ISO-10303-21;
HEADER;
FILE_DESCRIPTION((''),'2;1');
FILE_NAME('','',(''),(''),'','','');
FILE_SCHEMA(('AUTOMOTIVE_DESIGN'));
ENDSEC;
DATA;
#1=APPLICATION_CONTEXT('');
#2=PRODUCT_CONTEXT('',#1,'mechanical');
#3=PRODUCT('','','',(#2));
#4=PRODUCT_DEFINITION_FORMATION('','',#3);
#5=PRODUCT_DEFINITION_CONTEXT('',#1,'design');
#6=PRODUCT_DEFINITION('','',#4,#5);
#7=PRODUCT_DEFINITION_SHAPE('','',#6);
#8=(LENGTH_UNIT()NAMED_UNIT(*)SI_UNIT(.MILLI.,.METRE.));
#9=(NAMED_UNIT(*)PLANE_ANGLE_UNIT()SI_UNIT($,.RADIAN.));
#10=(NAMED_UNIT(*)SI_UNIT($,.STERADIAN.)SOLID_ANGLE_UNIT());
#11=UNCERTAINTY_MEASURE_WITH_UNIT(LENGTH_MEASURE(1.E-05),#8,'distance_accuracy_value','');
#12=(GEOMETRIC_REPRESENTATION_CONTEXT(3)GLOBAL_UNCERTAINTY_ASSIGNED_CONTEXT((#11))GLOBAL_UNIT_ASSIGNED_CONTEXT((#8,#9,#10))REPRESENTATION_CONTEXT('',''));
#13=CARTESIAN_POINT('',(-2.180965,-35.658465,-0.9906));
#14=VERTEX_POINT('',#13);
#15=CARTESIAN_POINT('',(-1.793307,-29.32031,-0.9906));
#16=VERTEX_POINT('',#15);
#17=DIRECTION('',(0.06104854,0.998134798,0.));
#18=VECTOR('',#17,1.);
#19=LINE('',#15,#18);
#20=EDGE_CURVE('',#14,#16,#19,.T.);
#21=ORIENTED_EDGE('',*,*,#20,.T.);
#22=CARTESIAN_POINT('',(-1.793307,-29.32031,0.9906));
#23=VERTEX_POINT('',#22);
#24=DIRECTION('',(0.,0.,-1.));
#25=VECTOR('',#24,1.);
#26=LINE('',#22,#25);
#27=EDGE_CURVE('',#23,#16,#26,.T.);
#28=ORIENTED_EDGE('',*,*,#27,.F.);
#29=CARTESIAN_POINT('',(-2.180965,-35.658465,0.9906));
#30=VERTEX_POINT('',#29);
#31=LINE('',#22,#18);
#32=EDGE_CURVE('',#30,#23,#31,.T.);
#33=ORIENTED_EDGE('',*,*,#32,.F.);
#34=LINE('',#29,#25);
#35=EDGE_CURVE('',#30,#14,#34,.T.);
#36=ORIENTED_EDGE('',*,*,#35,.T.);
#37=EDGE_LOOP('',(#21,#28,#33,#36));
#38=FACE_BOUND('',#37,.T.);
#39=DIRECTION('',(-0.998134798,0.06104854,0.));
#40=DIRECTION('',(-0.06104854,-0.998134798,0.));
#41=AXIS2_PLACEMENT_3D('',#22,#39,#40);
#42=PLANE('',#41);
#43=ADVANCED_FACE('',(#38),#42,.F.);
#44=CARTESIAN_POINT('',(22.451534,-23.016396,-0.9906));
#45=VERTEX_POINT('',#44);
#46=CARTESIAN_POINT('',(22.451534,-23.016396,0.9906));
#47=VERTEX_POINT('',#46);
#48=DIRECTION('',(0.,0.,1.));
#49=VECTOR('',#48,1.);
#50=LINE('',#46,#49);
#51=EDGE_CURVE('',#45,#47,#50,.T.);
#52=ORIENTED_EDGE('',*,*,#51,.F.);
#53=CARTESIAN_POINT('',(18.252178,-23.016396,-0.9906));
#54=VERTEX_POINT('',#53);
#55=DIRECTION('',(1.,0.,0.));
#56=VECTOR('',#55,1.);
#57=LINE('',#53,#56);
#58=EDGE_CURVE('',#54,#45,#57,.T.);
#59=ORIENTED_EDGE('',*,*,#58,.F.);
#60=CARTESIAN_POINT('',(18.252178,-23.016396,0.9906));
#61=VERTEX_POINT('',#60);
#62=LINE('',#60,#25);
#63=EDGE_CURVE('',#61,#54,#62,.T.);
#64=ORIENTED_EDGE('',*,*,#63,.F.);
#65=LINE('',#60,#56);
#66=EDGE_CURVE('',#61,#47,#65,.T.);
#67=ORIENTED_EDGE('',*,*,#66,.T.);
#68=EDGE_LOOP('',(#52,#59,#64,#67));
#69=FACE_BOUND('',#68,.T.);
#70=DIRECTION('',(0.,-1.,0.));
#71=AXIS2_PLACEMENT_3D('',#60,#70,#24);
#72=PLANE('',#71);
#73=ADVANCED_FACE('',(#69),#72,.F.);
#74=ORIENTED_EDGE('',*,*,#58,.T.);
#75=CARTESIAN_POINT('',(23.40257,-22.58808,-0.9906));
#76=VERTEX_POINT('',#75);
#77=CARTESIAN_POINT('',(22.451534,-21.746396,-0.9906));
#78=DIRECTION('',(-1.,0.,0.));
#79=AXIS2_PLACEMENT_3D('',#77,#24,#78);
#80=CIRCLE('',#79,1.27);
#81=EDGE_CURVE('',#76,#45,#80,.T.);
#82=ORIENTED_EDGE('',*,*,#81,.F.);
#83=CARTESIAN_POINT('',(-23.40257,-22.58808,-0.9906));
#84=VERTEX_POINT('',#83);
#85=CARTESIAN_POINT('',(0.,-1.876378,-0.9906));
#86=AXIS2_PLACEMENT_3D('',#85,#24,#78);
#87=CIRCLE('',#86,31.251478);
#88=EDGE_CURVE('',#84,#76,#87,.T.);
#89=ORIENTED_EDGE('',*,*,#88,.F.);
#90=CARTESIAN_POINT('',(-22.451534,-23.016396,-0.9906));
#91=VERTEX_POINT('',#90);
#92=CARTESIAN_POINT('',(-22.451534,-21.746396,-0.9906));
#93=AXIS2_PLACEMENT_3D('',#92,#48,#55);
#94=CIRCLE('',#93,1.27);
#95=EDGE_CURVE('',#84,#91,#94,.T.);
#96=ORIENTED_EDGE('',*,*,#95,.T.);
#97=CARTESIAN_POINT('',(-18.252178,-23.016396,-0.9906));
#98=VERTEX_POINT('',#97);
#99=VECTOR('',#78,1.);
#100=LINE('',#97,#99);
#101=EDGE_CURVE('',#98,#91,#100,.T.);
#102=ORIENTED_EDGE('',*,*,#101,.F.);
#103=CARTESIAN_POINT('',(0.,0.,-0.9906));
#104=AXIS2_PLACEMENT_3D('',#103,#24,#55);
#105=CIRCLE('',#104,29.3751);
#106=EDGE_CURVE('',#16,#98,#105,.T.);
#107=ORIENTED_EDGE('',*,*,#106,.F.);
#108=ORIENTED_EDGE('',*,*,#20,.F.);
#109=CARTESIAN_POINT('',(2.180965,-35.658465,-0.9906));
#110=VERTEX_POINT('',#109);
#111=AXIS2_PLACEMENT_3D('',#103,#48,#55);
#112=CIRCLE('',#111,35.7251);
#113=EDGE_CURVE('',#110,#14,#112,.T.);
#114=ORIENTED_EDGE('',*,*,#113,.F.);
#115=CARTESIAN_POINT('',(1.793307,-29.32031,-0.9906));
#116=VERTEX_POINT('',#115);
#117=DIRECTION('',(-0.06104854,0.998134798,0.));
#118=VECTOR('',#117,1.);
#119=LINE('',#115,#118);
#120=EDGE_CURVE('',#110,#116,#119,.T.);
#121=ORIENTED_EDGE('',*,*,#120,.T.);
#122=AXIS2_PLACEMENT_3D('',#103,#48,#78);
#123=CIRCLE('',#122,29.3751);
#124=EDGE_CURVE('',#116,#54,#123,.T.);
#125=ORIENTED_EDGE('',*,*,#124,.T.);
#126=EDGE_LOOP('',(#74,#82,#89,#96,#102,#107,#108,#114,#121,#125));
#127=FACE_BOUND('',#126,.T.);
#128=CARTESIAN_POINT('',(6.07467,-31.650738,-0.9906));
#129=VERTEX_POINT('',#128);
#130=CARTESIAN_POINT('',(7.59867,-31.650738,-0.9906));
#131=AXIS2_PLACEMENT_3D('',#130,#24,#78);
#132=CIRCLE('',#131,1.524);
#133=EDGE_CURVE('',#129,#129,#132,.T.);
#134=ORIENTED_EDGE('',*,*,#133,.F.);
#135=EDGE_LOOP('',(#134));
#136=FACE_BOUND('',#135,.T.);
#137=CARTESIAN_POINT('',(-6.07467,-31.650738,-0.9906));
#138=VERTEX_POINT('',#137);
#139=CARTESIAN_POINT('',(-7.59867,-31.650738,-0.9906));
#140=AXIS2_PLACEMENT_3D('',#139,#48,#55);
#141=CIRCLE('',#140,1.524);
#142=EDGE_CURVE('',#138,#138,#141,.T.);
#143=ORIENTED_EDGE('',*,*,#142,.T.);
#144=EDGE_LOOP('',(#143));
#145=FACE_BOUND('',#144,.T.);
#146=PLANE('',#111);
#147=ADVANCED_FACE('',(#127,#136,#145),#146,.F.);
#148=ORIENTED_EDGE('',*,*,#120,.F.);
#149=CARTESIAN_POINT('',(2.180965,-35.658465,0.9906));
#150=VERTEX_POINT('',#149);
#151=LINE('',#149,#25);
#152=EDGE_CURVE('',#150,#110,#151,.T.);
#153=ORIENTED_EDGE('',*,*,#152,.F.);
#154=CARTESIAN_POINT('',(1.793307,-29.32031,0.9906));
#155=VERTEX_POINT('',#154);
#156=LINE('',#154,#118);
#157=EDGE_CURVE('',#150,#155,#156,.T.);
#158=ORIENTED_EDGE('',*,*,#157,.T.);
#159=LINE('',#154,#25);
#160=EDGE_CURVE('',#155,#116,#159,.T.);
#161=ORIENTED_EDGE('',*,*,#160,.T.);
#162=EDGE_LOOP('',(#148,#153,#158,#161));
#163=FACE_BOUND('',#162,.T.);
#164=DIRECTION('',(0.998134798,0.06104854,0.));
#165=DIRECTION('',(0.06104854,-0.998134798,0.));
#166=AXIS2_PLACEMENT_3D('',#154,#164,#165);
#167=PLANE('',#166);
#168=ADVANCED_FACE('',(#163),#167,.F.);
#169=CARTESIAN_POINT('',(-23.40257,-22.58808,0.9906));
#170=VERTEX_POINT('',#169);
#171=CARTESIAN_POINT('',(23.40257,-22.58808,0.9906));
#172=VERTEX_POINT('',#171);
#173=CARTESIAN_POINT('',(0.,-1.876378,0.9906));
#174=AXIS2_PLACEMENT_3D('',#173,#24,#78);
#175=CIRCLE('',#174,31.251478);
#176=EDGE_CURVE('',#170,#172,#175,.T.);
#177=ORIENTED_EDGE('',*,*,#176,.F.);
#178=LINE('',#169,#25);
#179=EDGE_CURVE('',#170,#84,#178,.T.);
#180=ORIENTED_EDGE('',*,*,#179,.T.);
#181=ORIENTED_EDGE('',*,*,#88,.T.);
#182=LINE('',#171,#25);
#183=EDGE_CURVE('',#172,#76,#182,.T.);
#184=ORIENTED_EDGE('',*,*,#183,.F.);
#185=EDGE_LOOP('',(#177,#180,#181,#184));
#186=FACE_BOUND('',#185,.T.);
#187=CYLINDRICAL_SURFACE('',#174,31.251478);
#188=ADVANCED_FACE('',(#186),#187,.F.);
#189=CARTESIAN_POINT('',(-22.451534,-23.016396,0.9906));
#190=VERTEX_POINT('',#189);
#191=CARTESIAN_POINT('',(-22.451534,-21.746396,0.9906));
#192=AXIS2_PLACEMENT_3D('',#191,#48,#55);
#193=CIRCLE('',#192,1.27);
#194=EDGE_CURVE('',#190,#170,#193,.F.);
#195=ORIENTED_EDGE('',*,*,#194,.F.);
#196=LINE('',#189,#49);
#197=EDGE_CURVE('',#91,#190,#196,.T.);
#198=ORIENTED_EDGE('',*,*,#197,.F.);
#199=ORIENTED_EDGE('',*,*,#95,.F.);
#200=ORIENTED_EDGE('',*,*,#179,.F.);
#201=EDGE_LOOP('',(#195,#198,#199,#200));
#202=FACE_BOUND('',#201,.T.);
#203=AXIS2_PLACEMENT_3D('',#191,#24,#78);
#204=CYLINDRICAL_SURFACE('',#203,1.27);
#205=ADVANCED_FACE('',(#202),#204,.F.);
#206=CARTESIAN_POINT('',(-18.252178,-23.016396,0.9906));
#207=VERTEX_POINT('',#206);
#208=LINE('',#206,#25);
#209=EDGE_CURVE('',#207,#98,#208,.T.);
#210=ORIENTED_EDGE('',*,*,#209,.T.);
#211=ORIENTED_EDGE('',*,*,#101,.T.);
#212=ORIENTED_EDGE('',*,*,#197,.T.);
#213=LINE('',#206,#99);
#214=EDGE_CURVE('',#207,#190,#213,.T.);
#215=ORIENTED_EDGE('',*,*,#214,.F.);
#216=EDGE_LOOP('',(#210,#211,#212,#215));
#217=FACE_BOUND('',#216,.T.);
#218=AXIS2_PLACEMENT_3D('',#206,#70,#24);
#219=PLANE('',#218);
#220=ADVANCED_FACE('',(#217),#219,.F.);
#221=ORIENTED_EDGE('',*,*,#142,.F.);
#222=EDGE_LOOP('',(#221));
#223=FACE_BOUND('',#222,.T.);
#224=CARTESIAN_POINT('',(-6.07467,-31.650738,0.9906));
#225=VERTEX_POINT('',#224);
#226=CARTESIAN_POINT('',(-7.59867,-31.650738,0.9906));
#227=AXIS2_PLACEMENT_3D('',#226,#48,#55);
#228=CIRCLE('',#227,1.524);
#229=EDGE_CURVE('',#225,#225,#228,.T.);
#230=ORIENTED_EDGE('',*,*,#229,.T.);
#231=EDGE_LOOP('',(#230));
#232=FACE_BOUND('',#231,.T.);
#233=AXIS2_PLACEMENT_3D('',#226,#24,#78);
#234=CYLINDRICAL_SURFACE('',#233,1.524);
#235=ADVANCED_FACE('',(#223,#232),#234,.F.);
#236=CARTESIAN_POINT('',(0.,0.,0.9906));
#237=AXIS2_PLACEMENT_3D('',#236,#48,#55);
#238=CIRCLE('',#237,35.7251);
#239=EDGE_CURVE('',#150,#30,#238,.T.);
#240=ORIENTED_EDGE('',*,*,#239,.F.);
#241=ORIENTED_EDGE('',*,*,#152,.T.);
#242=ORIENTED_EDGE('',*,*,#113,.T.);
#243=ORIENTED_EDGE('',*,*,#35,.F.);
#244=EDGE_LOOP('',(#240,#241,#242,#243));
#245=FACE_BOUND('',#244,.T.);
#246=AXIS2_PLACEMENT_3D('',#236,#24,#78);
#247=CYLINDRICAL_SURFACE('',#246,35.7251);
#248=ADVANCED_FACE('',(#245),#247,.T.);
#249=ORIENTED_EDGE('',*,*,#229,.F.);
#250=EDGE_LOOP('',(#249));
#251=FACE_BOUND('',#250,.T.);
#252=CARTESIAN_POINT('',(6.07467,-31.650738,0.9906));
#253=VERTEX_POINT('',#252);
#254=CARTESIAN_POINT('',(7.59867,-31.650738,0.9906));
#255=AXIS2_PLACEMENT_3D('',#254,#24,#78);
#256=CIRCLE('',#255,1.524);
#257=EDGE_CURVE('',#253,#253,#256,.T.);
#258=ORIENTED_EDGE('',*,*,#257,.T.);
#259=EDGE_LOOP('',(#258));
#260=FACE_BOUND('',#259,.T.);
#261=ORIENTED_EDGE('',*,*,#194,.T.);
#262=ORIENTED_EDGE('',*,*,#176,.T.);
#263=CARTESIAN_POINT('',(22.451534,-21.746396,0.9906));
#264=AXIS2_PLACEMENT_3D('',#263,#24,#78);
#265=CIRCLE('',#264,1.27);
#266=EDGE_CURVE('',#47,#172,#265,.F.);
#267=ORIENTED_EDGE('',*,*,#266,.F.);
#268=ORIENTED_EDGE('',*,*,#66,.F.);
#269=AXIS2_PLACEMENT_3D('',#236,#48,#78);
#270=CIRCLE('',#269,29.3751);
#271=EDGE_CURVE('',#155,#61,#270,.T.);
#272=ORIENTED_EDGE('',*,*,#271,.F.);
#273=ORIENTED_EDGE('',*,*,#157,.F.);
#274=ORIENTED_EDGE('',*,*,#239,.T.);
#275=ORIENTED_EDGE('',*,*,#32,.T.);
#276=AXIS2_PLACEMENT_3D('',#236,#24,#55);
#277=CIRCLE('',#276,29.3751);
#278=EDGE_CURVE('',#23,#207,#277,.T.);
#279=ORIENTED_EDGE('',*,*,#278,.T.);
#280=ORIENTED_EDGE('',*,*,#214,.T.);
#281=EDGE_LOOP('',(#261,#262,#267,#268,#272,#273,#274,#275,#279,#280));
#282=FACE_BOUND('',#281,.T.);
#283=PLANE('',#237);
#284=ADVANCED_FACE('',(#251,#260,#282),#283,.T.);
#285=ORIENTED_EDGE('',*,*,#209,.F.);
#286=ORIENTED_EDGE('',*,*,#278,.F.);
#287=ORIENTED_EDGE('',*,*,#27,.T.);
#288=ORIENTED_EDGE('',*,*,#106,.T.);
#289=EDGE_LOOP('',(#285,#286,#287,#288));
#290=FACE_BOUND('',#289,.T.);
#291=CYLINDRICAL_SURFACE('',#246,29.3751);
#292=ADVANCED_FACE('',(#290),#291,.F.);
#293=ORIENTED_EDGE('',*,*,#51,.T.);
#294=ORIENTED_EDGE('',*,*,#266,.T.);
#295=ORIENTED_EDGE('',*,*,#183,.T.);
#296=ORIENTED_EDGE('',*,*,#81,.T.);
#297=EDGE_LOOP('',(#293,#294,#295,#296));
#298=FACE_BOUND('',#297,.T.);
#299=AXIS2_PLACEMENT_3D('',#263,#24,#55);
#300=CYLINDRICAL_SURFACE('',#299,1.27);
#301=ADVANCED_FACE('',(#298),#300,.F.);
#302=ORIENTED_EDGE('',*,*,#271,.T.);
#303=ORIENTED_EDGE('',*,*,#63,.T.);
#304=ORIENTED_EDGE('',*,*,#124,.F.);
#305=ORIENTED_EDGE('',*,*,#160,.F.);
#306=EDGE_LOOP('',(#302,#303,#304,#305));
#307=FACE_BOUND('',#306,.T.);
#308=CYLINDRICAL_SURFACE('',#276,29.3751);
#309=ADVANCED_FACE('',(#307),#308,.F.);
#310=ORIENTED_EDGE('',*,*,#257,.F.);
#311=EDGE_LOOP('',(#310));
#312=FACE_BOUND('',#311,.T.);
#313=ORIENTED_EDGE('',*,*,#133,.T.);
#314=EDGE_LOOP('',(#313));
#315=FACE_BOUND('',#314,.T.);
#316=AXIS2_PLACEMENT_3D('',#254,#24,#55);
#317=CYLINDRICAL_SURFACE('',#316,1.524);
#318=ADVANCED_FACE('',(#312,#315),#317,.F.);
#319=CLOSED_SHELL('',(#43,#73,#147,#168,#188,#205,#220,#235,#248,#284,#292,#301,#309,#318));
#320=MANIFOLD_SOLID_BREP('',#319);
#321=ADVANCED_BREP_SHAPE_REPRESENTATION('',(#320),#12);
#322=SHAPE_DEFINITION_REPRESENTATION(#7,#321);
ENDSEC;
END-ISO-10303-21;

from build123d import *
from build123d.topology import SkipClean

# Parameters (mm, degrees)
SKETCH4_R           = 1.524
BOSS_EXTRUDE1_DEPTH = 0.9906
FILLET1_R           = 1.27


with BuildPart() as part:
    # Sketch4 → Boss-Extrude1 (new, symmetric)
    with BuildSketch(Plane.XY):
        with BuildLine():
            Line((-18.252177815, -23.016396438), (-23.016396438, -23.016396438))
            ThreePointArc((-23.016396438, -23.016396438), (-28.612162641, 10.693388458), (0, 29.3751))
            Line((0, 29.3751), (0, 35.7251))
            ThreePointArc((0, 35.7251), (-35.708437486, 1.090991438), (-2.18096518, -35.658465487))
            Line((-2.18096518, -35.658465487), (-1.793306954, -29.320309517))
            ThreePointArc((-1.793306954, -29.320309517), (-10.506673828, -27.431848371), (-18.252177815, -23.016396438))
        make_face()
        with Locations((-7.598669938, -31.650738146)):
            Circle(SKETCH4_R, mode=Mode.SUBTRACT)
    extrude(amount=BOSS_EXTRUDE1_DEPTH, both=True)

    # Fillet1
    fillet1_edges = [part.edges().sort_by_distance(p)[0] for p in [
        (-23.016396438, -23.016396438, 0),
    ]]
    fillet(fillet1_edges, radius=FILLET1_R)

    # Mirror1: part across plane


with BuildPart() as part_1:
    with SkipClean():  # the faces are left unmerged after this step: merging them gives an invalid solid
        add(part.part)
        add(part.part.mirror(Plane(origin=(0, 0, 0), x_dir=(0, 0, 1), z_dir=(1, 0, 0))))


solid = part_1.part
